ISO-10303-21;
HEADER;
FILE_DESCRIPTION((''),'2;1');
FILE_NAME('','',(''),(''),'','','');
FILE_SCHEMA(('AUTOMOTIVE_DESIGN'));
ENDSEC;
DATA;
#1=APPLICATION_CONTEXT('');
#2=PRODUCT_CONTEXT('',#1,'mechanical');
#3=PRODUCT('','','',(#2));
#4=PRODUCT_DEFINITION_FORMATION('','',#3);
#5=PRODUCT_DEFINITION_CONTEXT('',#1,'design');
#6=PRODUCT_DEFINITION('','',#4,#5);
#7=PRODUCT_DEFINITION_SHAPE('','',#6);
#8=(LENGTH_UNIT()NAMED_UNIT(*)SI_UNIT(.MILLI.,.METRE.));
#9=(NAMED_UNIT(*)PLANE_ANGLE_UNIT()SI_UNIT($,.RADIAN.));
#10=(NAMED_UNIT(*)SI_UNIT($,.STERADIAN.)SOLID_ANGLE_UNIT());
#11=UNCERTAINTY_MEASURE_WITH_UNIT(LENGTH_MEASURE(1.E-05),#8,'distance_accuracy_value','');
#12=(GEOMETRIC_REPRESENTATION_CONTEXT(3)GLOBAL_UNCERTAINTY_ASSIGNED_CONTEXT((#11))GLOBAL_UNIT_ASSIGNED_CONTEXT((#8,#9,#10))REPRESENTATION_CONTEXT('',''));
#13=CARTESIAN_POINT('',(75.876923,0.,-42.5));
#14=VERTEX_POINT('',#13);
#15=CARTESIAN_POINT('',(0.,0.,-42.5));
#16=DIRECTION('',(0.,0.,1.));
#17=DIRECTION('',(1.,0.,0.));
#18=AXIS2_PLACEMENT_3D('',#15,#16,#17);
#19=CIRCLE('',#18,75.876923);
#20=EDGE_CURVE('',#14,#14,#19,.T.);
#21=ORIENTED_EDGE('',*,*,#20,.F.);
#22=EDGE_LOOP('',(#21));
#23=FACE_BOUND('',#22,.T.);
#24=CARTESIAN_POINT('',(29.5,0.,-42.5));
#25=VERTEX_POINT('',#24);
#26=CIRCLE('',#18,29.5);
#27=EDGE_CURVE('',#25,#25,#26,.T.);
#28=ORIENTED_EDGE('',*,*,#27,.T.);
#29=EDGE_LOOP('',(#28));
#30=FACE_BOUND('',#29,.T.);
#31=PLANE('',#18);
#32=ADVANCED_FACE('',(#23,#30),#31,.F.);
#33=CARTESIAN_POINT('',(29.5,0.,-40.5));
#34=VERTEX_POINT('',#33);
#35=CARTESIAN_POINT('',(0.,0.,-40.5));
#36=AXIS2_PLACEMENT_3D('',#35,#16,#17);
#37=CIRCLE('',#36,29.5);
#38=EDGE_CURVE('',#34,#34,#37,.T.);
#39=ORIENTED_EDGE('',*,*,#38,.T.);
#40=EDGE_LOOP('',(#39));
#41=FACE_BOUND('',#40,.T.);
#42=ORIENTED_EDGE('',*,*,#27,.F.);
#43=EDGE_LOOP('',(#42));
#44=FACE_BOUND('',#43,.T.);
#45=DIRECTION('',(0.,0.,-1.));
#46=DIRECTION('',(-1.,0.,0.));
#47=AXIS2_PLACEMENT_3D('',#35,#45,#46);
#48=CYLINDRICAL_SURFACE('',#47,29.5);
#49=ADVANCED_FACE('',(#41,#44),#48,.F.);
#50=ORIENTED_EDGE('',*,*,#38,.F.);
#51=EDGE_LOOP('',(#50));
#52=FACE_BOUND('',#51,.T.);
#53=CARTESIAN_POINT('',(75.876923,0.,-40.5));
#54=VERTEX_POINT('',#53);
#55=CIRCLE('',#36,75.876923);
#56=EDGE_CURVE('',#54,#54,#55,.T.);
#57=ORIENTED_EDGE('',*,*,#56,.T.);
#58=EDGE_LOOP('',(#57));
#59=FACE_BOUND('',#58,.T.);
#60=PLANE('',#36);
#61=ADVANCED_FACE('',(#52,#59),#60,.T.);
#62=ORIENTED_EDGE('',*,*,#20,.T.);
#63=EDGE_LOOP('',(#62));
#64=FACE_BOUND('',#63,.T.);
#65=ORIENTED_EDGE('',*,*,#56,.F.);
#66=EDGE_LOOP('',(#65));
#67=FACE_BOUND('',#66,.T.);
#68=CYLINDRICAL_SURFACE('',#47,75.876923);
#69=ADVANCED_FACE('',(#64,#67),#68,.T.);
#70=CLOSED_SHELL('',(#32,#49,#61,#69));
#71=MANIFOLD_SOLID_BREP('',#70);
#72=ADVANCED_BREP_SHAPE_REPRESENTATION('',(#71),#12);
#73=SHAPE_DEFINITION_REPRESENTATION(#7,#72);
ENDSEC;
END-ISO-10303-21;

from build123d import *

# Parameters (mm, degrees)
PRINTED_GUARD_START = -42.5
SKETCH_1_R          = 75.876923077
SKETCH_1_R_2        = 29.5
PRINTED_GUARD_DEPTH = 2


with BuildPart() as part:
    # Эскиз1 → Printed_guard (new body)
    with BuildSketch(Plane.XY.offset(PRINTED_GUARD_START)):
        Circle(SKETCH_1_R)
        Circle(SKETCH_1_R_2, mode=Mode.SUBTRACT)
    extrude(amount=PRINTED_GUARD_DEPTH)


solid = part.part
